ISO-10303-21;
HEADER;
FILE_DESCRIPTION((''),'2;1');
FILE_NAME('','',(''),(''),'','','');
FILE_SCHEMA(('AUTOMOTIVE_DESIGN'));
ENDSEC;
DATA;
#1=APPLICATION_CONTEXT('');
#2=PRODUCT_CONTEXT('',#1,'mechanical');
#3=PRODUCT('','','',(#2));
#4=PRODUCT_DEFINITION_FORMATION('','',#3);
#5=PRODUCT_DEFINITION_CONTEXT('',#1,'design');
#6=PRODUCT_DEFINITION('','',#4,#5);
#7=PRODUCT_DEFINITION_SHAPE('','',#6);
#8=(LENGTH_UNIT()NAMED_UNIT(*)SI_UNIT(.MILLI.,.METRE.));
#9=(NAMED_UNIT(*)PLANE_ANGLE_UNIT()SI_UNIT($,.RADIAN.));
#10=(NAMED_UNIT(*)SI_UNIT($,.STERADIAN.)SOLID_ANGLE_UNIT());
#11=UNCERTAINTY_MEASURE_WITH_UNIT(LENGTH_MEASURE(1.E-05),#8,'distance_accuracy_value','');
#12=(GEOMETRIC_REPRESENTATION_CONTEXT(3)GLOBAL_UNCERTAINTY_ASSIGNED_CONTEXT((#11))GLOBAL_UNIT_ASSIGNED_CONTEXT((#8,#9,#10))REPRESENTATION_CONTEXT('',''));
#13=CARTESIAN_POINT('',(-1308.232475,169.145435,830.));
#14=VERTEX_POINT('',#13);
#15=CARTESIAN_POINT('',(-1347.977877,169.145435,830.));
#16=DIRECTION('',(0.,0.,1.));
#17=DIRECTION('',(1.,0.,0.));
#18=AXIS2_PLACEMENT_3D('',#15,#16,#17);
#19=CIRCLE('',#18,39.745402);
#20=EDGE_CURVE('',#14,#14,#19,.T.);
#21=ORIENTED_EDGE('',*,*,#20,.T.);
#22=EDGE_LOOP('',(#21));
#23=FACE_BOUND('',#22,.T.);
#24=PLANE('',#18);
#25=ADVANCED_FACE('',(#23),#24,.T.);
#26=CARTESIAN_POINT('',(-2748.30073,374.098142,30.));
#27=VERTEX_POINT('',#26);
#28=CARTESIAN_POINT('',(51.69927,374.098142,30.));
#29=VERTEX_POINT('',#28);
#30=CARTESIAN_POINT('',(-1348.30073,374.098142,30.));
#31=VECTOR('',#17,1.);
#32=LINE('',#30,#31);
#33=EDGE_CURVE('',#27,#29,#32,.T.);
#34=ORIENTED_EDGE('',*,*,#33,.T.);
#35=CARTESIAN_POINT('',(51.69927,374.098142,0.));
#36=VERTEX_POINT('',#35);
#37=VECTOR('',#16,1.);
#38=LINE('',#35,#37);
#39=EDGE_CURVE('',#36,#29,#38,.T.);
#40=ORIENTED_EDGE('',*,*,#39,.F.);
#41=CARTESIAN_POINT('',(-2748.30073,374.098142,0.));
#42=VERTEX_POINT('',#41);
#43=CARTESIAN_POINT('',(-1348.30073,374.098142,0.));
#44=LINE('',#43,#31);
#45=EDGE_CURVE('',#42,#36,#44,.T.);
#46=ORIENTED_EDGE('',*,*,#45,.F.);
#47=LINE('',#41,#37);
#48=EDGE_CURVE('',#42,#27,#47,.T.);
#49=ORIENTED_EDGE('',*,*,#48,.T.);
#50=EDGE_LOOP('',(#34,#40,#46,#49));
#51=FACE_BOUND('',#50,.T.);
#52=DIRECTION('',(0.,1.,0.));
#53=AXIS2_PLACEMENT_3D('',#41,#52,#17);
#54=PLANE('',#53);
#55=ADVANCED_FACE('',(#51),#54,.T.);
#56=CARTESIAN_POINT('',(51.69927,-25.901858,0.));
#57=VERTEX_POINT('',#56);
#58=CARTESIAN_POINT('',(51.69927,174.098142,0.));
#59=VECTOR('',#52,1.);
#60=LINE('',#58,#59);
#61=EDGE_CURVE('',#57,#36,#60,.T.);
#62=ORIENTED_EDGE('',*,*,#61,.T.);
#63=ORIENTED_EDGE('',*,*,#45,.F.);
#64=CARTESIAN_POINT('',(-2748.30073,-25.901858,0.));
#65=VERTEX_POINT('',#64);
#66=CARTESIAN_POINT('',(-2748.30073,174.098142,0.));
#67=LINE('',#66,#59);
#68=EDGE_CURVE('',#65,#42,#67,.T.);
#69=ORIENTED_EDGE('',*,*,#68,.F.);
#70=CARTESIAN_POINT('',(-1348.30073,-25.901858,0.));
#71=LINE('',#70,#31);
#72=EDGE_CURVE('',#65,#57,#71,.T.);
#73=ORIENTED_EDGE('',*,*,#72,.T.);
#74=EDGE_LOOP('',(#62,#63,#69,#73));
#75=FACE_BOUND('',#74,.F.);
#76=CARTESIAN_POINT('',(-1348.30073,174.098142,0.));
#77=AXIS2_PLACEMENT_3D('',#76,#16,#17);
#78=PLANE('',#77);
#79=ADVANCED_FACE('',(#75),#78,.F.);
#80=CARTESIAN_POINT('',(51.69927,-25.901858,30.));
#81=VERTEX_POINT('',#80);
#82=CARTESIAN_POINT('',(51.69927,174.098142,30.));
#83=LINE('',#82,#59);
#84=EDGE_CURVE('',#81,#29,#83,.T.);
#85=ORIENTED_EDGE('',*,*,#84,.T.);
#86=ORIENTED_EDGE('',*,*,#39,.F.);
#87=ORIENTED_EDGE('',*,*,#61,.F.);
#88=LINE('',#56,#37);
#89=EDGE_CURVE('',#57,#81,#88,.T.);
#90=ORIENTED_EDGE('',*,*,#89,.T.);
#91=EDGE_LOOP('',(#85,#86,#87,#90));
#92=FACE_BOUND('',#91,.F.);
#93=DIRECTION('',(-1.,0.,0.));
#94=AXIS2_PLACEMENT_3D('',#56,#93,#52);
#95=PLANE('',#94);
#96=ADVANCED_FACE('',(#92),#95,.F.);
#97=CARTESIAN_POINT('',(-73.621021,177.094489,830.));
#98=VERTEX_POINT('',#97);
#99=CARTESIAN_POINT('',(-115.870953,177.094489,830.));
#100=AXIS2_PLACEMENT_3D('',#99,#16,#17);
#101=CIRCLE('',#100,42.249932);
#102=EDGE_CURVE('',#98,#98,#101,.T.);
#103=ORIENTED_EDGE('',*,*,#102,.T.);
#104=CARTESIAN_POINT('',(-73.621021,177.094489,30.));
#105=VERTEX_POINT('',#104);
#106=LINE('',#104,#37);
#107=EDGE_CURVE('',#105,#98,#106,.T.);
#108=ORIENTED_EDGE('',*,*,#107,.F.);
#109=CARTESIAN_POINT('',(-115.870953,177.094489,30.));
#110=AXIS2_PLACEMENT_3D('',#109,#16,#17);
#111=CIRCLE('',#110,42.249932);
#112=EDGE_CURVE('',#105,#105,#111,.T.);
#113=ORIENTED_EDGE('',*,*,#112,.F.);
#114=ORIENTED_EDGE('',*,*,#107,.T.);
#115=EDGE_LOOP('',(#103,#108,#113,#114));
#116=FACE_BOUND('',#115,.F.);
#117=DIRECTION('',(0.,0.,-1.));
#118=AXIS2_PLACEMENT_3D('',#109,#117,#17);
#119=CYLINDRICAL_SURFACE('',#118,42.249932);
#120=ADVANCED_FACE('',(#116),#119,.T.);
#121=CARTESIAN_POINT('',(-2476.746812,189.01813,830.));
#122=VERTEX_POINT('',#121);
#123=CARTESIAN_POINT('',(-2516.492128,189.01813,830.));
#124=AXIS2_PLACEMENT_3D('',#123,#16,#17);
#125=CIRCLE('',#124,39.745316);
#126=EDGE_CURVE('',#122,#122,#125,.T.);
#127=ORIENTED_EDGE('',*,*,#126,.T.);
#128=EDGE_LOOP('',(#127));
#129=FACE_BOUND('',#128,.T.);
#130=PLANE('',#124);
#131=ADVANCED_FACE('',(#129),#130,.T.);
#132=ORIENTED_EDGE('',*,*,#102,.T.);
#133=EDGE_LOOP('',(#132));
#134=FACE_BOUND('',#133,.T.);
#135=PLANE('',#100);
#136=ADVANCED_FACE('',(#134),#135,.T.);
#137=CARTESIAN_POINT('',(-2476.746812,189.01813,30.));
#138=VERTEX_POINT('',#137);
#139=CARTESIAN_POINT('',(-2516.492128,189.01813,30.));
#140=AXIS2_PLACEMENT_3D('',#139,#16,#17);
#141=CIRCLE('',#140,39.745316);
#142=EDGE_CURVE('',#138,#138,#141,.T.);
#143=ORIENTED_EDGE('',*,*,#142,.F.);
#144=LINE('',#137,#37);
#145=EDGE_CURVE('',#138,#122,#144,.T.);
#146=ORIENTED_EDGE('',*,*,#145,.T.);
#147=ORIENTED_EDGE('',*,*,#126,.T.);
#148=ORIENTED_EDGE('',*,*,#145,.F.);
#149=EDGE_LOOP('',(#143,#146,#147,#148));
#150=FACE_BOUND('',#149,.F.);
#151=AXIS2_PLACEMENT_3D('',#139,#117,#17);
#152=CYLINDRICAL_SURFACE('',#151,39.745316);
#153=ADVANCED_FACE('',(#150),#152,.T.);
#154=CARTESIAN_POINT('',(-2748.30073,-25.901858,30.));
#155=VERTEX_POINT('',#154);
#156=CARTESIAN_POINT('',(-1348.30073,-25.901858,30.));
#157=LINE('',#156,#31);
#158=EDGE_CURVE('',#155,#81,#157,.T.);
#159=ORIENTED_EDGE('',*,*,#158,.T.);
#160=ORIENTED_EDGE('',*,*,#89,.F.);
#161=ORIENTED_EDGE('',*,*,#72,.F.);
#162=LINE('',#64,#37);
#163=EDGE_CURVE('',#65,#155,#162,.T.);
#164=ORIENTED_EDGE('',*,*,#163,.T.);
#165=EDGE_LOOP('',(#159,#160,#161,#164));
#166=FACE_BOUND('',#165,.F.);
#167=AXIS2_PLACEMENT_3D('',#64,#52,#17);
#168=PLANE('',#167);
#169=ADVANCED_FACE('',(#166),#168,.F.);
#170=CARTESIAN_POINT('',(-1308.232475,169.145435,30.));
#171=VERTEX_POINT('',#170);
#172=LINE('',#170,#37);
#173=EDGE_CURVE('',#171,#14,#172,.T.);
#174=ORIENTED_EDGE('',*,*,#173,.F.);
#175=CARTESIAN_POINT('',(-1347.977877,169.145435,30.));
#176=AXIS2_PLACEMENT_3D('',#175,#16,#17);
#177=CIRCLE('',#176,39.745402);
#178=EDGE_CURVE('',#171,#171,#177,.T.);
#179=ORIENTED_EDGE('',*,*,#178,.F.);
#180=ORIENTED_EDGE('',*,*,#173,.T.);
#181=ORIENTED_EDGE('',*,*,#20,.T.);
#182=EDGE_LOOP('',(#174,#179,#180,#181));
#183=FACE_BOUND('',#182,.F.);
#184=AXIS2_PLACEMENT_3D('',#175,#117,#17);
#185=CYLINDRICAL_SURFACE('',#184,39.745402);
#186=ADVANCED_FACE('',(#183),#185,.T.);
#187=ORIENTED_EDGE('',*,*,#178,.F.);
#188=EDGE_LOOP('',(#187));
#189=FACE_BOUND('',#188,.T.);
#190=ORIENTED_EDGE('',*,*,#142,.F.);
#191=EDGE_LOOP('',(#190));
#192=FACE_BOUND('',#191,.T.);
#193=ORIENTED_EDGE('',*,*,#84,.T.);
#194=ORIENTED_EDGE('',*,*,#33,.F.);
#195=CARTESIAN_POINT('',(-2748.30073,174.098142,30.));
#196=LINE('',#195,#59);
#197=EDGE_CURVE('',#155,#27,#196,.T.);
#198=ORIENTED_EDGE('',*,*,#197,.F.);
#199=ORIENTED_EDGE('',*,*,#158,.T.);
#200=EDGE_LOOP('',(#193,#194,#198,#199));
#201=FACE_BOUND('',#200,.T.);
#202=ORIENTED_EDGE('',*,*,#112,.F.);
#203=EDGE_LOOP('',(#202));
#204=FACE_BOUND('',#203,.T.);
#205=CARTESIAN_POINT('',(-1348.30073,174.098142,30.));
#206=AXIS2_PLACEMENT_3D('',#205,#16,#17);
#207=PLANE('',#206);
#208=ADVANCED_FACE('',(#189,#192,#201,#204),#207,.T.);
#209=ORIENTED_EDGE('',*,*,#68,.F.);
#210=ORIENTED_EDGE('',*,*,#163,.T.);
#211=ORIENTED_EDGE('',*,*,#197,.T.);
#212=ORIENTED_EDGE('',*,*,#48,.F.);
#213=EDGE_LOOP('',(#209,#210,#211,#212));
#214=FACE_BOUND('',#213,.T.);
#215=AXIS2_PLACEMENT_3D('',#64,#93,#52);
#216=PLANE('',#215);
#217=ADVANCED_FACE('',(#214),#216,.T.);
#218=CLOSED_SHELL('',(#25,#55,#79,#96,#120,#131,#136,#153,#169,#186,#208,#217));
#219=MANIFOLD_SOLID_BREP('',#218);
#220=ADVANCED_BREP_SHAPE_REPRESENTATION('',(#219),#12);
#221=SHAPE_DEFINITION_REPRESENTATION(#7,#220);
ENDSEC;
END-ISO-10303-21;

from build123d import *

# Parameters (mm, degrees)
F0_W     = 2800
F0_H     = 400
F1_DEPTH = 30
F2_R     = 39.745316
F2_R_2   = 39.745402
F2_R_3   = 42.249932
F3_DEPTH = 800


with BuildPart() as f1:
    # F0 (on Top) → F1 (new body)
    with BuildSketch(Plane.XY):
        with Locations((-1348.30073, 174.098142)):
            Rectangle(F0_W, F0_H)
    extrude(amount=F1_DEPTH)

    # F2 (on face) → F3 (join)
    with BuildSketch(Plane.XY.offset(30)):
        with Locations((-2516.492128, 189.01813)):
            Circle(F2_R)
        with Locations((-1347.977877, 169.145435)):
            Circle(F2_R_2)
        with Locations((-115.870953, 177.094489)):
            Circle(F2_R_3)
    extrude(amount=F3_DEPTH)


solid = f1.part
